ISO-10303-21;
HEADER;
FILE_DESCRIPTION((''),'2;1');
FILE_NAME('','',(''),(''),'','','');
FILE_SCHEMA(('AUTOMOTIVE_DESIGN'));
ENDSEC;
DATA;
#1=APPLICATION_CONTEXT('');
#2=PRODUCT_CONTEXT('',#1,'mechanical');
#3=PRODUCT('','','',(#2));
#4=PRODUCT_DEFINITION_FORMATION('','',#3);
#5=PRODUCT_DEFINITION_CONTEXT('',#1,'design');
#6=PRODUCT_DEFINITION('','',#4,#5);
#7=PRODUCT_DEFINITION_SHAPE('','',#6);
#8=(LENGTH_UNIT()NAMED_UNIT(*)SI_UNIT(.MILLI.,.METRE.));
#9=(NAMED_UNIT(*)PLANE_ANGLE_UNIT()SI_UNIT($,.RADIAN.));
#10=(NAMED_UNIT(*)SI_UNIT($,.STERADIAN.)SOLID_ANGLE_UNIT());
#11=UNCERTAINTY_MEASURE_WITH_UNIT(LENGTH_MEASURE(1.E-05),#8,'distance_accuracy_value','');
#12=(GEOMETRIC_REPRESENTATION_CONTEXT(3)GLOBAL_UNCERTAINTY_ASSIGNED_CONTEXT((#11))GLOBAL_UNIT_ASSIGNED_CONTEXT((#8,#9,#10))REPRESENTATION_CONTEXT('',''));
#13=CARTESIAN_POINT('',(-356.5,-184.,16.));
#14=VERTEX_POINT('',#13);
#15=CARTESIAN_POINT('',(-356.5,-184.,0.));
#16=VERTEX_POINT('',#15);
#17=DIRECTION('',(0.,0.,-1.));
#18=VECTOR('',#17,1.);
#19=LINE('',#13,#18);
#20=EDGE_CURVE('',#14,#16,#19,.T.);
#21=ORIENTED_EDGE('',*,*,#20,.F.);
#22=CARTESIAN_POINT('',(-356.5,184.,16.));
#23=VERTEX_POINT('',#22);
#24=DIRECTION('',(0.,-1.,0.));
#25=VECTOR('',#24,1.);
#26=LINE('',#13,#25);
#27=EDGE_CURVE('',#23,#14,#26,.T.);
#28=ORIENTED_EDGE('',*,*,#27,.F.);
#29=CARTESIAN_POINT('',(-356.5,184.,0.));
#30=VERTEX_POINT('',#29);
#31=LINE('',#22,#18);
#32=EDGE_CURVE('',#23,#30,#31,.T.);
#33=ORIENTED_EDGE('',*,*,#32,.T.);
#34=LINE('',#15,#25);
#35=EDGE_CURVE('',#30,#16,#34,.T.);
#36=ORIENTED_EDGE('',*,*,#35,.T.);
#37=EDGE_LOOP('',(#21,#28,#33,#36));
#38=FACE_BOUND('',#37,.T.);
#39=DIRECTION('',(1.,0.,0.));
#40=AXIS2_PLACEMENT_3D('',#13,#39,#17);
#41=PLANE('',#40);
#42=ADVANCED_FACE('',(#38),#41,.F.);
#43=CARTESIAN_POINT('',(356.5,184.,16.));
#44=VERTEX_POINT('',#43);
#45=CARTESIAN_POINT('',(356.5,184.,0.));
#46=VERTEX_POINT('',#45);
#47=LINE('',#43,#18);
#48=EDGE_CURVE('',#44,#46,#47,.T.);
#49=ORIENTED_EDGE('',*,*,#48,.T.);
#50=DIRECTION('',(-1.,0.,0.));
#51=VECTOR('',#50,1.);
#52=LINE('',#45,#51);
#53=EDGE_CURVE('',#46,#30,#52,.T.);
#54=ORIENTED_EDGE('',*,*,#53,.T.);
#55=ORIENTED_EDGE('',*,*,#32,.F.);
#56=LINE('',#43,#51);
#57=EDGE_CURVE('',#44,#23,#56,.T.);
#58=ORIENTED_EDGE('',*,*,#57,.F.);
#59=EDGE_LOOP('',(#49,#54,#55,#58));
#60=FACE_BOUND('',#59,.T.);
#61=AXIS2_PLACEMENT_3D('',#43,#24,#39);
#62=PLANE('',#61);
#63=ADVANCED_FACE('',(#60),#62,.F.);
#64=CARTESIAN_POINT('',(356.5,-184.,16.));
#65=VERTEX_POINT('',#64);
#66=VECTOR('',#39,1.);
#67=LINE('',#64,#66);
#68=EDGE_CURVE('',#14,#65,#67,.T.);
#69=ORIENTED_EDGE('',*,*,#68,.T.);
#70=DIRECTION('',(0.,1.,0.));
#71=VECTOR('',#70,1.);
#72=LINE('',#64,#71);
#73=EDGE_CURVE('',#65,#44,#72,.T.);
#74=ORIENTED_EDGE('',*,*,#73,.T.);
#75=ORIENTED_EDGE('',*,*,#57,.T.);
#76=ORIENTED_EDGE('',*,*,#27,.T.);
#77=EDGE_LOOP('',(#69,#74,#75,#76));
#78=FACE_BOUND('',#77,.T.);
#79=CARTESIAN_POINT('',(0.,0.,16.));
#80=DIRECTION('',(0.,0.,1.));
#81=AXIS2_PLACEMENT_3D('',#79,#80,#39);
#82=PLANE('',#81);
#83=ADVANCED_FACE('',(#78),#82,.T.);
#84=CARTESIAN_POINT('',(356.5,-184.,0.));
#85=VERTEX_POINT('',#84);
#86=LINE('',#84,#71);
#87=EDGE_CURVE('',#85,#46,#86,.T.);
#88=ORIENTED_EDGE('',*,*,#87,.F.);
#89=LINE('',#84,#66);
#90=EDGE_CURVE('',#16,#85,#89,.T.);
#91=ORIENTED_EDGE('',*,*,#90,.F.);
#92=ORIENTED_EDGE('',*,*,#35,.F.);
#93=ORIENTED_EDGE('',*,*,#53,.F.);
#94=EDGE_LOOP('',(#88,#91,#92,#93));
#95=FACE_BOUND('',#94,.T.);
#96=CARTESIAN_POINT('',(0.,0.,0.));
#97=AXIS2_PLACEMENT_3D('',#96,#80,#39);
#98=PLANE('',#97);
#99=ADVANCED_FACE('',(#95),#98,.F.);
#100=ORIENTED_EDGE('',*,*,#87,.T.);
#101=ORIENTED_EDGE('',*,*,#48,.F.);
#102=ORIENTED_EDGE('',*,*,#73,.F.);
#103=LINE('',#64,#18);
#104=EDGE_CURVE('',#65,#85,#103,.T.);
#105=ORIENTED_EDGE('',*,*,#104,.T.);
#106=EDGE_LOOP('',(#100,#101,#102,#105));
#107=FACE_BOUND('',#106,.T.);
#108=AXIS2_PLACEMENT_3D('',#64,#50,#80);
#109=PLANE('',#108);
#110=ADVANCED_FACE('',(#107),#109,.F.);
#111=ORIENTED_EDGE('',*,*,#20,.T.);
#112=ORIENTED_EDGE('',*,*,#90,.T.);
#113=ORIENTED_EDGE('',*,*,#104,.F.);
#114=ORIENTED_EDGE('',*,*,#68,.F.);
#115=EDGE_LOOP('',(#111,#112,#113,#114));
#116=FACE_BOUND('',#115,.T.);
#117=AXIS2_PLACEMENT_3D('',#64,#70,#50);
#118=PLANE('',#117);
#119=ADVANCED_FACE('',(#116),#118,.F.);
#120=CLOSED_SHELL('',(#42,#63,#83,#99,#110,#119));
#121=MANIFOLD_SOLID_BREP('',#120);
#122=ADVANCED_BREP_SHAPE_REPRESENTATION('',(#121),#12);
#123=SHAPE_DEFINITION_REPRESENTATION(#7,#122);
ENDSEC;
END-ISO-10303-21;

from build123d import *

# Parameters (mm, degrees)
SKETCH_1_W      = 713
SKETCH_1_H      = 368
EXTRUDE_1_DEPTH = 16


with BuildPart() as part:
    # 草图1 → 凸台-拉伸1 (new body)
    with BuildSketch(Plane.XY):
        Rectangle(SKETCH_1_W, SKETCH_1_H)
    extrude(amount=EXTRUDE_1_DEPTH)


solid = part.part
